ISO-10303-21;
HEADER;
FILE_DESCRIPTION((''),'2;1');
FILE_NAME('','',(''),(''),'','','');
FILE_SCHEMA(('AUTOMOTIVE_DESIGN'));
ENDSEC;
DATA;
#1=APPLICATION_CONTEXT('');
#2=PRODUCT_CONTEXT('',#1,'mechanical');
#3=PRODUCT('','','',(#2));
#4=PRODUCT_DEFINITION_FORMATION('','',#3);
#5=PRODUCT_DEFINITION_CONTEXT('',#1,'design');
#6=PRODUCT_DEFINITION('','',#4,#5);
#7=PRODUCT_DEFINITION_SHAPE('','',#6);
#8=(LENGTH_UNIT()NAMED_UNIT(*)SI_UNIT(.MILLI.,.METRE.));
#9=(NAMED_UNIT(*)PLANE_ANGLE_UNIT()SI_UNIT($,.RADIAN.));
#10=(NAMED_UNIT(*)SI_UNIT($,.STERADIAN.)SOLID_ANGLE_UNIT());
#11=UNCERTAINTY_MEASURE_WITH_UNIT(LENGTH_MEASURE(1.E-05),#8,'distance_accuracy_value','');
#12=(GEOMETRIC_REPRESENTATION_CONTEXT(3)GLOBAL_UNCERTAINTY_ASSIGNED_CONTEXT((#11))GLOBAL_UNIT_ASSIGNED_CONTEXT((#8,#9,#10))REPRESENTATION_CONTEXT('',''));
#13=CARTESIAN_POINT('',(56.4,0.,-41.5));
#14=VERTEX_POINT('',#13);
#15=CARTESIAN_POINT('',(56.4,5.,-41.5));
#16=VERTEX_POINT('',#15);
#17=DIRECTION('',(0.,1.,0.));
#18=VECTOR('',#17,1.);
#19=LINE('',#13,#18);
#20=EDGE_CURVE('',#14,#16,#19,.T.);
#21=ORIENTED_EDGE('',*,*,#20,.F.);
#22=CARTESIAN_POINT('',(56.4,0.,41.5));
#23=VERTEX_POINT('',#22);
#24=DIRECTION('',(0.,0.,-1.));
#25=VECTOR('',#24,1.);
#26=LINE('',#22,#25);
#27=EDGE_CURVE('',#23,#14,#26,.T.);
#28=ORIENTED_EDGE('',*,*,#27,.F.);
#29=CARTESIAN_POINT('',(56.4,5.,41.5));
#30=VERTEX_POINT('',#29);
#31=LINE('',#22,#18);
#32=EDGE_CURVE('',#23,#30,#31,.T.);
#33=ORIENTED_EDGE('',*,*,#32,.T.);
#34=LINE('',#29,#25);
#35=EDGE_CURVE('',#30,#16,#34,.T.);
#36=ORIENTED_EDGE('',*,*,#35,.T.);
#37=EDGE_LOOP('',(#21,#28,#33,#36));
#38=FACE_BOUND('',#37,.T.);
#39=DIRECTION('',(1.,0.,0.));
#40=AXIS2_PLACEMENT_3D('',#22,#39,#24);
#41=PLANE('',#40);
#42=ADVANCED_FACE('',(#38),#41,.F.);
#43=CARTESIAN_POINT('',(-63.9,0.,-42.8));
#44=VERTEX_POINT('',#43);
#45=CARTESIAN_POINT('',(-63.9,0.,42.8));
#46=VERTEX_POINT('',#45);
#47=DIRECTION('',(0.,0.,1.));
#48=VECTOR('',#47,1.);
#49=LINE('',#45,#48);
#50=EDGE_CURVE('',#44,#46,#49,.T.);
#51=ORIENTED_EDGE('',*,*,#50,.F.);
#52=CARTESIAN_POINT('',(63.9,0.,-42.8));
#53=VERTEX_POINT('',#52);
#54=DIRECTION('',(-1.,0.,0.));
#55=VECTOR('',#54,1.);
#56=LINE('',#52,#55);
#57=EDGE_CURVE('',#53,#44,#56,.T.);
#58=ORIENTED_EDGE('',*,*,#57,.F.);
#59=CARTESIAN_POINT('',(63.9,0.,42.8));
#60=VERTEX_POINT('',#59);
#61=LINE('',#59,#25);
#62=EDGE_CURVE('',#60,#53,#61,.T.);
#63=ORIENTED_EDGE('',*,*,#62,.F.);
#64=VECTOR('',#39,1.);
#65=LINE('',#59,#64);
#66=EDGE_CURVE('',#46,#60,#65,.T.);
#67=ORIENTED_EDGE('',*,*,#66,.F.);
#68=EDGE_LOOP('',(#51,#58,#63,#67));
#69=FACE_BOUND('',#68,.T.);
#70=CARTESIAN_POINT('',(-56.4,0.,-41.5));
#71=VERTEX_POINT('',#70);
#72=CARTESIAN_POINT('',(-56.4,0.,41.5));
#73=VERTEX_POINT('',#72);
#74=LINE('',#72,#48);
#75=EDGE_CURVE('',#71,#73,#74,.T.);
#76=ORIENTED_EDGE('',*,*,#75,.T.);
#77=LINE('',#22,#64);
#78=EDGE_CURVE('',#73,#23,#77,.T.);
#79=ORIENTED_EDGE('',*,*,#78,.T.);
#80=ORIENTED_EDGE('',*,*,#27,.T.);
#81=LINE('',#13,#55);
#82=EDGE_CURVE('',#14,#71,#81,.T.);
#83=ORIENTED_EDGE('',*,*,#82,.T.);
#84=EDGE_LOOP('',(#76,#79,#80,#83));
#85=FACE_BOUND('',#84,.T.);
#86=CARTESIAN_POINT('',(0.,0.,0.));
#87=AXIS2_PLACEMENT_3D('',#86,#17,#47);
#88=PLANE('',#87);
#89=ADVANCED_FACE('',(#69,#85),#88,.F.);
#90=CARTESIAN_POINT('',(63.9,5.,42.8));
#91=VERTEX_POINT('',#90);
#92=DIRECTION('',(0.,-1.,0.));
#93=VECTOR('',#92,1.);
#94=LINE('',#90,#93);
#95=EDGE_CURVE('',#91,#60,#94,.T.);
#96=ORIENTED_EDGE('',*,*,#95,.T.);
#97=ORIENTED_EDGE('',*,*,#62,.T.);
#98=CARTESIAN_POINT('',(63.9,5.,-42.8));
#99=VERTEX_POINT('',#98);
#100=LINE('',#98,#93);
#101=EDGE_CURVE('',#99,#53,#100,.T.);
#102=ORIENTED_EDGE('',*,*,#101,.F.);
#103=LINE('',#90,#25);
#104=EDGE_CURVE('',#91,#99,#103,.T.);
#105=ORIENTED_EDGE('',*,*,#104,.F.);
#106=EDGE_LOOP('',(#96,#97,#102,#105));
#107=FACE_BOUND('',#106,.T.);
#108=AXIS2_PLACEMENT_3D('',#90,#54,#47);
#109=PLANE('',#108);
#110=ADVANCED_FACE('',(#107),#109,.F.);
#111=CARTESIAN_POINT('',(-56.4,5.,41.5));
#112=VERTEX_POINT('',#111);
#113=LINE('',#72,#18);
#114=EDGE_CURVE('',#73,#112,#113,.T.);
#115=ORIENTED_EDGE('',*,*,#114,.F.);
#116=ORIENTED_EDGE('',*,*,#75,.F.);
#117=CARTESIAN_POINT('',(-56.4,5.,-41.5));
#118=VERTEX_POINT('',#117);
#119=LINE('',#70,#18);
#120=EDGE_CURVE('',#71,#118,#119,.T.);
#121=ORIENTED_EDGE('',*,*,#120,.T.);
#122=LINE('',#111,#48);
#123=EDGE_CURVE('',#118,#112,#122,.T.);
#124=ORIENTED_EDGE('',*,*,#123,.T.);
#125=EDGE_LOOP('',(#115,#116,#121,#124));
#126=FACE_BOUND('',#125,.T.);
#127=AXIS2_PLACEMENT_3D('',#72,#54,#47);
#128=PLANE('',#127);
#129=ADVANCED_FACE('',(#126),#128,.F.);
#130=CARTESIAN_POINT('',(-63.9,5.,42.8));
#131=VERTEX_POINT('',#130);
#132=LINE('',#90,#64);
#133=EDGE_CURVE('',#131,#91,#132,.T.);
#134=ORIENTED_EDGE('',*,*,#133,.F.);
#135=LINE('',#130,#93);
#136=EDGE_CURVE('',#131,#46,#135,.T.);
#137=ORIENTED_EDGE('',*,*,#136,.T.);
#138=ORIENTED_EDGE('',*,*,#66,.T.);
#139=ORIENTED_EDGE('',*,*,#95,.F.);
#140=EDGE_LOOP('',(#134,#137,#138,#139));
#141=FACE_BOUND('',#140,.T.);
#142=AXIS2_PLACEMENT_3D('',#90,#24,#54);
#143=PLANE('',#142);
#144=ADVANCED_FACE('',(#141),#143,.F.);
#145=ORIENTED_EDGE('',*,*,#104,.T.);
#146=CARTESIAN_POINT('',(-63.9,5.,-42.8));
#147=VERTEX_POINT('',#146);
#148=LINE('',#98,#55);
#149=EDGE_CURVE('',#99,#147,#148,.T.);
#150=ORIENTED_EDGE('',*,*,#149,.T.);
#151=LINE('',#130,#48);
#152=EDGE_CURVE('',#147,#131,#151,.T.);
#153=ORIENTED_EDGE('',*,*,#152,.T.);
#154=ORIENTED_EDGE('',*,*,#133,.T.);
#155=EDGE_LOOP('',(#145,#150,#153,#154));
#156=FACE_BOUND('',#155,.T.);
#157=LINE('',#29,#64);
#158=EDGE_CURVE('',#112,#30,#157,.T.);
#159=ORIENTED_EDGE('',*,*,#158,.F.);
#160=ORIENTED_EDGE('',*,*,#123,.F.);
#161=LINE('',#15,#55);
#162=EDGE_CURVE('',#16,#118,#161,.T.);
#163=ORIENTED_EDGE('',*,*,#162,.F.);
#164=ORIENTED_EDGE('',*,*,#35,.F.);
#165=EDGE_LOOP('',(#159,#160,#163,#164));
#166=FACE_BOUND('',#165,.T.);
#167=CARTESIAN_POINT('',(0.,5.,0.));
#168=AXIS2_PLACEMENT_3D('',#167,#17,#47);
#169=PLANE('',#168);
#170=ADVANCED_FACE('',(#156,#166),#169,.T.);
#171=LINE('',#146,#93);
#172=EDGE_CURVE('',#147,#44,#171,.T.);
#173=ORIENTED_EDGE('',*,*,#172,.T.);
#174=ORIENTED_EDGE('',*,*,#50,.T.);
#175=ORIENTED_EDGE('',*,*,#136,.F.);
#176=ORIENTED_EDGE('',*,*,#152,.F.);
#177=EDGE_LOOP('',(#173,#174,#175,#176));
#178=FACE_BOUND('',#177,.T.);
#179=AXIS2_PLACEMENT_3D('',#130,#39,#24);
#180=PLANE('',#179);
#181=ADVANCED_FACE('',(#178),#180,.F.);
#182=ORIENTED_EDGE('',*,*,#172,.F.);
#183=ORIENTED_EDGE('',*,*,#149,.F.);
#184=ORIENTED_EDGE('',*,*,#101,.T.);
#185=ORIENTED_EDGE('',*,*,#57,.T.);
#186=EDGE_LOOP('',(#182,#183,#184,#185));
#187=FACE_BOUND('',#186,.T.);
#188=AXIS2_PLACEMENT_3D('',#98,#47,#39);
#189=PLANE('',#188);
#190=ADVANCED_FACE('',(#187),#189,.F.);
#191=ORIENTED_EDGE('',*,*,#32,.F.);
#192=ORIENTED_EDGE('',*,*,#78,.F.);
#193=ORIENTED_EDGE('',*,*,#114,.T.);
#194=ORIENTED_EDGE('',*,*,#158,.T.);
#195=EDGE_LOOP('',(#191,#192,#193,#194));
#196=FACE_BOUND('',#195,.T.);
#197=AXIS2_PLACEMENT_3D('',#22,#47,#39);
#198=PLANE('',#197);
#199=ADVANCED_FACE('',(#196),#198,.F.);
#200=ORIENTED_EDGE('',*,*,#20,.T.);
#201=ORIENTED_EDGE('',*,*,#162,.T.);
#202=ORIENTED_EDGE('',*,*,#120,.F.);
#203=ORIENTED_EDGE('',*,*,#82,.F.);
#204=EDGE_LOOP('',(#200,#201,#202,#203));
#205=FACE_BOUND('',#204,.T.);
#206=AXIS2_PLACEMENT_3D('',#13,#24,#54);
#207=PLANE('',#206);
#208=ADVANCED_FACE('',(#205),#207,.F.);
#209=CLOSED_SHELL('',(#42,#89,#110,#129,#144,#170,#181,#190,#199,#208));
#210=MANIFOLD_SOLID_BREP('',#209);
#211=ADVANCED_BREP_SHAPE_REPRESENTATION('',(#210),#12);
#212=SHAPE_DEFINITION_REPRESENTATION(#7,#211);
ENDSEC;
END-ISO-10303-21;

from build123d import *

# Parameters (mm, degrees)
SKETCH1_W           = 127.8
SKETCH1_H           = 85.6
BOSS_EXTRUDE1_DEPTH = 5
SKETCH2_W           = 112.8
SKETCH2_H           = 83
CUT_EXTRUDE1_DEPTH  = 5


with BuildPart() as part:
    # Sketch1 → Boss-Extrude1 (new body)
    with BuildSketch(Plane(origin=(0, 0, 0), x_dir=(1, 0, 0), z_dir=(0, 1, 0))):
        Rectangle(SKETCH1_W, SKETCH1_H)
    extrude(amount=BOSS_EXTRUDE1_DEPTH)

    # Sketch2 → Cut-Extrude1 (cut)
    with BuildSketch(Plane(origin=(0, 5, 0), x_dir=(1, 0, 0), z_dir=(0, 1, 0))):
        Rectangle(SKETCH2_W, SKETCH2_H)
    extrude(amount=-CUT_EXTRUDE1_DEPTH, mode=Mode.SUBTRACT)


solid = part.part
